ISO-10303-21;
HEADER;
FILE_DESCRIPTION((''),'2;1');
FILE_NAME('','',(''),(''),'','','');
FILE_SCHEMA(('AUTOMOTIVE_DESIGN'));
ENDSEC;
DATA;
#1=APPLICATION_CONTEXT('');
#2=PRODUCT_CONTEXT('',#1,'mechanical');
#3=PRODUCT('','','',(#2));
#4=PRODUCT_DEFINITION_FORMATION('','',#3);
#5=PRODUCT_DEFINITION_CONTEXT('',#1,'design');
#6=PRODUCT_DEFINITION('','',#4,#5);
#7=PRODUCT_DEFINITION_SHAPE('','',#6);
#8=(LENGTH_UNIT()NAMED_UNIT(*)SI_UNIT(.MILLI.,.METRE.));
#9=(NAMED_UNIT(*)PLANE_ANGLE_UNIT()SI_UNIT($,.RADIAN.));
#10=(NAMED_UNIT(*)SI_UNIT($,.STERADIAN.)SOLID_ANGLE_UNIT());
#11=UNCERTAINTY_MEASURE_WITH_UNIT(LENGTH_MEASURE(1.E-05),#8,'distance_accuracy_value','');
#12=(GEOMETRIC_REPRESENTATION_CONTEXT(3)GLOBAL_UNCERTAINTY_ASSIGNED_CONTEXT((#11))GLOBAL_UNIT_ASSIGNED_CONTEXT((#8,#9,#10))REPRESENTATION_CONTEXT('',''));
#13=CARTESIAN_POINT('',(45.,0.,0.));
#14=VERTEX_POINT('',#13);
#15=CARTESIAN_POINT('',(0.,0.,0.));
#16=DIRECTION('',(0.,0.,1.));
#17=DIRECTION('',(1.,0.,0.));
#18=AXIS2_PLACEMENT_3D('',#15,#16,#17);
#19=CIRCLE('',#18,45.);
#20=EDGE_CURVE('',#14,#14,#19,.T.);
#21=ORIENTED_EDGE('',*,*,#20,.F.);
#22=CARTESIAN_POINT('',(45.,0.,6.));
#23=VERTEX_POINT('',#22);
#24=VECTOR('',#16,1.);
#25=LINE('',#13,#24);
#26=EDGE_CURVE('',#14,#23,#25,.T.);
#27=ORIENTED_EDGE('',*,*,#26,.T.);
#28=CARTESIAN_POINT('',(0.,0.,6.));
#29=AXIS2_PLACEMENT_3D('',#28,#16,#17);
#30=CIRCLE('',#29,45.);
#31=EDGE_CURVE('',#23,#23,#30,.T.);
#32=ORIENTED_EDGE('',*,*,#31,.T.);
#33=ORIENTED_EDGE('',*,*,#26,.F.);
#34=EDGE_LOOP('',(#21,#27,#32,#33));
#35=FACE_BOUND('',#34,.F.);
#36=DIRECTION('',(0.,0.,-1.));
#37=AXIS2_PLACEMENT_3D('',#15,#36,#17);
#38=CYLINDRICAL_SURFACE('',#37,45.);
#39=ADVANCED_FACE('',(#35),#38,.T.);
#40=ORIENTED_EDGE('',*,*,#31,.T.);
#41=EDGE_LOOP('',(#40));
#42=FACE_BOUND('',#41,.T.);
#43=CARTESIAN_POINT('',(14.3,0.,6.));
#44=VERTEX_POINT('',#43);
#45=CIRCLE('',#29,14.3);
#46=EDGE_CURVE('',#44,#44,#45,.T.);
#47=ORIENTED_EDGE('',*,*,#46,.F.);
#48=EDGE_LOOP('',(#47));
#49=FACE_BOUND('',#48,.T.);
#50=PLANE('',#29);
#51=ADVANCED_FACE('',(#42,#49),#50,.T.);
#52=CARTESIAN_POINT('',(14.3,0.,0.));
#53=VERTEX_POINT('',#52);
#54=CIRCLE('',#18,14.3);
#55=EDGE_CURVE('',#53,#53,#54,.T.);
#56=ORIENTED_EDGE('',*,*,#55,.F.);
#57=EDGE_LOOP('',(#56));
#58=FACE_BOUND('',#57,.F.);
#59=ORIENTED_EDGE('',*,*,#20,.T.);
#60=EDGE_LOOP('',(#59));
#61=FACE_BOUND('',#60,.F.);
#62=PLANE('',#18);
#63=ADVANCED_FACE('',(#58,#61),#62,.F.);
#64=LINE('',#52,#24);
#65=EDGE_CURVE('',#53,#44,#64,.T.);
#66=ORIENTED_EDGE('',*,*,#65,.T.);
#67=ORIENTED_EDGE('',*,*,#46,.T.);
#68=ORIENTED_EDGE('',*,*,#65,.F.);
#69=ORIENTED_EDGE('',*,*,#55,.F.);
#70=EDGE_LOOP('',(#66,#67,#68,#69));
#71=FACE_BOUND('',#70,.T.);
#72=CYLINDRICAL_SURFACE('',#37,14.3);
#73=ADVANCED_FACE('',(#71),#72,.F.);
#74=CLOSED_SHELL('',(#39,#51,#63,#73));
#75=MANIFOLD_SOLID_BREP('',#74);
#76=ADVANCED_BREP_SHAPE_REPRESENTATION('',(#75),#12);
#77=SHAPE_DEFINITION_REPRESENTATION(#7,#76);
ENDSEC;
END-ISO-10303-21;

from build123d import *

# Parameters (mm, degrees)
SKETCH_R   = 45
SKETCH_R_2 = 14.3
PAD_DEPTH  = 6


with BuildPart() as part:
    # Sketch → Pad (new body)
    with BuildSketch(Plane.XY):
        Circle(SKETCH_R)
        Circle(SKETCH_R_2, mode=Mode.SUBTRACT)
    extrude(amount=PAD_DEPTH)


solid = part.part
